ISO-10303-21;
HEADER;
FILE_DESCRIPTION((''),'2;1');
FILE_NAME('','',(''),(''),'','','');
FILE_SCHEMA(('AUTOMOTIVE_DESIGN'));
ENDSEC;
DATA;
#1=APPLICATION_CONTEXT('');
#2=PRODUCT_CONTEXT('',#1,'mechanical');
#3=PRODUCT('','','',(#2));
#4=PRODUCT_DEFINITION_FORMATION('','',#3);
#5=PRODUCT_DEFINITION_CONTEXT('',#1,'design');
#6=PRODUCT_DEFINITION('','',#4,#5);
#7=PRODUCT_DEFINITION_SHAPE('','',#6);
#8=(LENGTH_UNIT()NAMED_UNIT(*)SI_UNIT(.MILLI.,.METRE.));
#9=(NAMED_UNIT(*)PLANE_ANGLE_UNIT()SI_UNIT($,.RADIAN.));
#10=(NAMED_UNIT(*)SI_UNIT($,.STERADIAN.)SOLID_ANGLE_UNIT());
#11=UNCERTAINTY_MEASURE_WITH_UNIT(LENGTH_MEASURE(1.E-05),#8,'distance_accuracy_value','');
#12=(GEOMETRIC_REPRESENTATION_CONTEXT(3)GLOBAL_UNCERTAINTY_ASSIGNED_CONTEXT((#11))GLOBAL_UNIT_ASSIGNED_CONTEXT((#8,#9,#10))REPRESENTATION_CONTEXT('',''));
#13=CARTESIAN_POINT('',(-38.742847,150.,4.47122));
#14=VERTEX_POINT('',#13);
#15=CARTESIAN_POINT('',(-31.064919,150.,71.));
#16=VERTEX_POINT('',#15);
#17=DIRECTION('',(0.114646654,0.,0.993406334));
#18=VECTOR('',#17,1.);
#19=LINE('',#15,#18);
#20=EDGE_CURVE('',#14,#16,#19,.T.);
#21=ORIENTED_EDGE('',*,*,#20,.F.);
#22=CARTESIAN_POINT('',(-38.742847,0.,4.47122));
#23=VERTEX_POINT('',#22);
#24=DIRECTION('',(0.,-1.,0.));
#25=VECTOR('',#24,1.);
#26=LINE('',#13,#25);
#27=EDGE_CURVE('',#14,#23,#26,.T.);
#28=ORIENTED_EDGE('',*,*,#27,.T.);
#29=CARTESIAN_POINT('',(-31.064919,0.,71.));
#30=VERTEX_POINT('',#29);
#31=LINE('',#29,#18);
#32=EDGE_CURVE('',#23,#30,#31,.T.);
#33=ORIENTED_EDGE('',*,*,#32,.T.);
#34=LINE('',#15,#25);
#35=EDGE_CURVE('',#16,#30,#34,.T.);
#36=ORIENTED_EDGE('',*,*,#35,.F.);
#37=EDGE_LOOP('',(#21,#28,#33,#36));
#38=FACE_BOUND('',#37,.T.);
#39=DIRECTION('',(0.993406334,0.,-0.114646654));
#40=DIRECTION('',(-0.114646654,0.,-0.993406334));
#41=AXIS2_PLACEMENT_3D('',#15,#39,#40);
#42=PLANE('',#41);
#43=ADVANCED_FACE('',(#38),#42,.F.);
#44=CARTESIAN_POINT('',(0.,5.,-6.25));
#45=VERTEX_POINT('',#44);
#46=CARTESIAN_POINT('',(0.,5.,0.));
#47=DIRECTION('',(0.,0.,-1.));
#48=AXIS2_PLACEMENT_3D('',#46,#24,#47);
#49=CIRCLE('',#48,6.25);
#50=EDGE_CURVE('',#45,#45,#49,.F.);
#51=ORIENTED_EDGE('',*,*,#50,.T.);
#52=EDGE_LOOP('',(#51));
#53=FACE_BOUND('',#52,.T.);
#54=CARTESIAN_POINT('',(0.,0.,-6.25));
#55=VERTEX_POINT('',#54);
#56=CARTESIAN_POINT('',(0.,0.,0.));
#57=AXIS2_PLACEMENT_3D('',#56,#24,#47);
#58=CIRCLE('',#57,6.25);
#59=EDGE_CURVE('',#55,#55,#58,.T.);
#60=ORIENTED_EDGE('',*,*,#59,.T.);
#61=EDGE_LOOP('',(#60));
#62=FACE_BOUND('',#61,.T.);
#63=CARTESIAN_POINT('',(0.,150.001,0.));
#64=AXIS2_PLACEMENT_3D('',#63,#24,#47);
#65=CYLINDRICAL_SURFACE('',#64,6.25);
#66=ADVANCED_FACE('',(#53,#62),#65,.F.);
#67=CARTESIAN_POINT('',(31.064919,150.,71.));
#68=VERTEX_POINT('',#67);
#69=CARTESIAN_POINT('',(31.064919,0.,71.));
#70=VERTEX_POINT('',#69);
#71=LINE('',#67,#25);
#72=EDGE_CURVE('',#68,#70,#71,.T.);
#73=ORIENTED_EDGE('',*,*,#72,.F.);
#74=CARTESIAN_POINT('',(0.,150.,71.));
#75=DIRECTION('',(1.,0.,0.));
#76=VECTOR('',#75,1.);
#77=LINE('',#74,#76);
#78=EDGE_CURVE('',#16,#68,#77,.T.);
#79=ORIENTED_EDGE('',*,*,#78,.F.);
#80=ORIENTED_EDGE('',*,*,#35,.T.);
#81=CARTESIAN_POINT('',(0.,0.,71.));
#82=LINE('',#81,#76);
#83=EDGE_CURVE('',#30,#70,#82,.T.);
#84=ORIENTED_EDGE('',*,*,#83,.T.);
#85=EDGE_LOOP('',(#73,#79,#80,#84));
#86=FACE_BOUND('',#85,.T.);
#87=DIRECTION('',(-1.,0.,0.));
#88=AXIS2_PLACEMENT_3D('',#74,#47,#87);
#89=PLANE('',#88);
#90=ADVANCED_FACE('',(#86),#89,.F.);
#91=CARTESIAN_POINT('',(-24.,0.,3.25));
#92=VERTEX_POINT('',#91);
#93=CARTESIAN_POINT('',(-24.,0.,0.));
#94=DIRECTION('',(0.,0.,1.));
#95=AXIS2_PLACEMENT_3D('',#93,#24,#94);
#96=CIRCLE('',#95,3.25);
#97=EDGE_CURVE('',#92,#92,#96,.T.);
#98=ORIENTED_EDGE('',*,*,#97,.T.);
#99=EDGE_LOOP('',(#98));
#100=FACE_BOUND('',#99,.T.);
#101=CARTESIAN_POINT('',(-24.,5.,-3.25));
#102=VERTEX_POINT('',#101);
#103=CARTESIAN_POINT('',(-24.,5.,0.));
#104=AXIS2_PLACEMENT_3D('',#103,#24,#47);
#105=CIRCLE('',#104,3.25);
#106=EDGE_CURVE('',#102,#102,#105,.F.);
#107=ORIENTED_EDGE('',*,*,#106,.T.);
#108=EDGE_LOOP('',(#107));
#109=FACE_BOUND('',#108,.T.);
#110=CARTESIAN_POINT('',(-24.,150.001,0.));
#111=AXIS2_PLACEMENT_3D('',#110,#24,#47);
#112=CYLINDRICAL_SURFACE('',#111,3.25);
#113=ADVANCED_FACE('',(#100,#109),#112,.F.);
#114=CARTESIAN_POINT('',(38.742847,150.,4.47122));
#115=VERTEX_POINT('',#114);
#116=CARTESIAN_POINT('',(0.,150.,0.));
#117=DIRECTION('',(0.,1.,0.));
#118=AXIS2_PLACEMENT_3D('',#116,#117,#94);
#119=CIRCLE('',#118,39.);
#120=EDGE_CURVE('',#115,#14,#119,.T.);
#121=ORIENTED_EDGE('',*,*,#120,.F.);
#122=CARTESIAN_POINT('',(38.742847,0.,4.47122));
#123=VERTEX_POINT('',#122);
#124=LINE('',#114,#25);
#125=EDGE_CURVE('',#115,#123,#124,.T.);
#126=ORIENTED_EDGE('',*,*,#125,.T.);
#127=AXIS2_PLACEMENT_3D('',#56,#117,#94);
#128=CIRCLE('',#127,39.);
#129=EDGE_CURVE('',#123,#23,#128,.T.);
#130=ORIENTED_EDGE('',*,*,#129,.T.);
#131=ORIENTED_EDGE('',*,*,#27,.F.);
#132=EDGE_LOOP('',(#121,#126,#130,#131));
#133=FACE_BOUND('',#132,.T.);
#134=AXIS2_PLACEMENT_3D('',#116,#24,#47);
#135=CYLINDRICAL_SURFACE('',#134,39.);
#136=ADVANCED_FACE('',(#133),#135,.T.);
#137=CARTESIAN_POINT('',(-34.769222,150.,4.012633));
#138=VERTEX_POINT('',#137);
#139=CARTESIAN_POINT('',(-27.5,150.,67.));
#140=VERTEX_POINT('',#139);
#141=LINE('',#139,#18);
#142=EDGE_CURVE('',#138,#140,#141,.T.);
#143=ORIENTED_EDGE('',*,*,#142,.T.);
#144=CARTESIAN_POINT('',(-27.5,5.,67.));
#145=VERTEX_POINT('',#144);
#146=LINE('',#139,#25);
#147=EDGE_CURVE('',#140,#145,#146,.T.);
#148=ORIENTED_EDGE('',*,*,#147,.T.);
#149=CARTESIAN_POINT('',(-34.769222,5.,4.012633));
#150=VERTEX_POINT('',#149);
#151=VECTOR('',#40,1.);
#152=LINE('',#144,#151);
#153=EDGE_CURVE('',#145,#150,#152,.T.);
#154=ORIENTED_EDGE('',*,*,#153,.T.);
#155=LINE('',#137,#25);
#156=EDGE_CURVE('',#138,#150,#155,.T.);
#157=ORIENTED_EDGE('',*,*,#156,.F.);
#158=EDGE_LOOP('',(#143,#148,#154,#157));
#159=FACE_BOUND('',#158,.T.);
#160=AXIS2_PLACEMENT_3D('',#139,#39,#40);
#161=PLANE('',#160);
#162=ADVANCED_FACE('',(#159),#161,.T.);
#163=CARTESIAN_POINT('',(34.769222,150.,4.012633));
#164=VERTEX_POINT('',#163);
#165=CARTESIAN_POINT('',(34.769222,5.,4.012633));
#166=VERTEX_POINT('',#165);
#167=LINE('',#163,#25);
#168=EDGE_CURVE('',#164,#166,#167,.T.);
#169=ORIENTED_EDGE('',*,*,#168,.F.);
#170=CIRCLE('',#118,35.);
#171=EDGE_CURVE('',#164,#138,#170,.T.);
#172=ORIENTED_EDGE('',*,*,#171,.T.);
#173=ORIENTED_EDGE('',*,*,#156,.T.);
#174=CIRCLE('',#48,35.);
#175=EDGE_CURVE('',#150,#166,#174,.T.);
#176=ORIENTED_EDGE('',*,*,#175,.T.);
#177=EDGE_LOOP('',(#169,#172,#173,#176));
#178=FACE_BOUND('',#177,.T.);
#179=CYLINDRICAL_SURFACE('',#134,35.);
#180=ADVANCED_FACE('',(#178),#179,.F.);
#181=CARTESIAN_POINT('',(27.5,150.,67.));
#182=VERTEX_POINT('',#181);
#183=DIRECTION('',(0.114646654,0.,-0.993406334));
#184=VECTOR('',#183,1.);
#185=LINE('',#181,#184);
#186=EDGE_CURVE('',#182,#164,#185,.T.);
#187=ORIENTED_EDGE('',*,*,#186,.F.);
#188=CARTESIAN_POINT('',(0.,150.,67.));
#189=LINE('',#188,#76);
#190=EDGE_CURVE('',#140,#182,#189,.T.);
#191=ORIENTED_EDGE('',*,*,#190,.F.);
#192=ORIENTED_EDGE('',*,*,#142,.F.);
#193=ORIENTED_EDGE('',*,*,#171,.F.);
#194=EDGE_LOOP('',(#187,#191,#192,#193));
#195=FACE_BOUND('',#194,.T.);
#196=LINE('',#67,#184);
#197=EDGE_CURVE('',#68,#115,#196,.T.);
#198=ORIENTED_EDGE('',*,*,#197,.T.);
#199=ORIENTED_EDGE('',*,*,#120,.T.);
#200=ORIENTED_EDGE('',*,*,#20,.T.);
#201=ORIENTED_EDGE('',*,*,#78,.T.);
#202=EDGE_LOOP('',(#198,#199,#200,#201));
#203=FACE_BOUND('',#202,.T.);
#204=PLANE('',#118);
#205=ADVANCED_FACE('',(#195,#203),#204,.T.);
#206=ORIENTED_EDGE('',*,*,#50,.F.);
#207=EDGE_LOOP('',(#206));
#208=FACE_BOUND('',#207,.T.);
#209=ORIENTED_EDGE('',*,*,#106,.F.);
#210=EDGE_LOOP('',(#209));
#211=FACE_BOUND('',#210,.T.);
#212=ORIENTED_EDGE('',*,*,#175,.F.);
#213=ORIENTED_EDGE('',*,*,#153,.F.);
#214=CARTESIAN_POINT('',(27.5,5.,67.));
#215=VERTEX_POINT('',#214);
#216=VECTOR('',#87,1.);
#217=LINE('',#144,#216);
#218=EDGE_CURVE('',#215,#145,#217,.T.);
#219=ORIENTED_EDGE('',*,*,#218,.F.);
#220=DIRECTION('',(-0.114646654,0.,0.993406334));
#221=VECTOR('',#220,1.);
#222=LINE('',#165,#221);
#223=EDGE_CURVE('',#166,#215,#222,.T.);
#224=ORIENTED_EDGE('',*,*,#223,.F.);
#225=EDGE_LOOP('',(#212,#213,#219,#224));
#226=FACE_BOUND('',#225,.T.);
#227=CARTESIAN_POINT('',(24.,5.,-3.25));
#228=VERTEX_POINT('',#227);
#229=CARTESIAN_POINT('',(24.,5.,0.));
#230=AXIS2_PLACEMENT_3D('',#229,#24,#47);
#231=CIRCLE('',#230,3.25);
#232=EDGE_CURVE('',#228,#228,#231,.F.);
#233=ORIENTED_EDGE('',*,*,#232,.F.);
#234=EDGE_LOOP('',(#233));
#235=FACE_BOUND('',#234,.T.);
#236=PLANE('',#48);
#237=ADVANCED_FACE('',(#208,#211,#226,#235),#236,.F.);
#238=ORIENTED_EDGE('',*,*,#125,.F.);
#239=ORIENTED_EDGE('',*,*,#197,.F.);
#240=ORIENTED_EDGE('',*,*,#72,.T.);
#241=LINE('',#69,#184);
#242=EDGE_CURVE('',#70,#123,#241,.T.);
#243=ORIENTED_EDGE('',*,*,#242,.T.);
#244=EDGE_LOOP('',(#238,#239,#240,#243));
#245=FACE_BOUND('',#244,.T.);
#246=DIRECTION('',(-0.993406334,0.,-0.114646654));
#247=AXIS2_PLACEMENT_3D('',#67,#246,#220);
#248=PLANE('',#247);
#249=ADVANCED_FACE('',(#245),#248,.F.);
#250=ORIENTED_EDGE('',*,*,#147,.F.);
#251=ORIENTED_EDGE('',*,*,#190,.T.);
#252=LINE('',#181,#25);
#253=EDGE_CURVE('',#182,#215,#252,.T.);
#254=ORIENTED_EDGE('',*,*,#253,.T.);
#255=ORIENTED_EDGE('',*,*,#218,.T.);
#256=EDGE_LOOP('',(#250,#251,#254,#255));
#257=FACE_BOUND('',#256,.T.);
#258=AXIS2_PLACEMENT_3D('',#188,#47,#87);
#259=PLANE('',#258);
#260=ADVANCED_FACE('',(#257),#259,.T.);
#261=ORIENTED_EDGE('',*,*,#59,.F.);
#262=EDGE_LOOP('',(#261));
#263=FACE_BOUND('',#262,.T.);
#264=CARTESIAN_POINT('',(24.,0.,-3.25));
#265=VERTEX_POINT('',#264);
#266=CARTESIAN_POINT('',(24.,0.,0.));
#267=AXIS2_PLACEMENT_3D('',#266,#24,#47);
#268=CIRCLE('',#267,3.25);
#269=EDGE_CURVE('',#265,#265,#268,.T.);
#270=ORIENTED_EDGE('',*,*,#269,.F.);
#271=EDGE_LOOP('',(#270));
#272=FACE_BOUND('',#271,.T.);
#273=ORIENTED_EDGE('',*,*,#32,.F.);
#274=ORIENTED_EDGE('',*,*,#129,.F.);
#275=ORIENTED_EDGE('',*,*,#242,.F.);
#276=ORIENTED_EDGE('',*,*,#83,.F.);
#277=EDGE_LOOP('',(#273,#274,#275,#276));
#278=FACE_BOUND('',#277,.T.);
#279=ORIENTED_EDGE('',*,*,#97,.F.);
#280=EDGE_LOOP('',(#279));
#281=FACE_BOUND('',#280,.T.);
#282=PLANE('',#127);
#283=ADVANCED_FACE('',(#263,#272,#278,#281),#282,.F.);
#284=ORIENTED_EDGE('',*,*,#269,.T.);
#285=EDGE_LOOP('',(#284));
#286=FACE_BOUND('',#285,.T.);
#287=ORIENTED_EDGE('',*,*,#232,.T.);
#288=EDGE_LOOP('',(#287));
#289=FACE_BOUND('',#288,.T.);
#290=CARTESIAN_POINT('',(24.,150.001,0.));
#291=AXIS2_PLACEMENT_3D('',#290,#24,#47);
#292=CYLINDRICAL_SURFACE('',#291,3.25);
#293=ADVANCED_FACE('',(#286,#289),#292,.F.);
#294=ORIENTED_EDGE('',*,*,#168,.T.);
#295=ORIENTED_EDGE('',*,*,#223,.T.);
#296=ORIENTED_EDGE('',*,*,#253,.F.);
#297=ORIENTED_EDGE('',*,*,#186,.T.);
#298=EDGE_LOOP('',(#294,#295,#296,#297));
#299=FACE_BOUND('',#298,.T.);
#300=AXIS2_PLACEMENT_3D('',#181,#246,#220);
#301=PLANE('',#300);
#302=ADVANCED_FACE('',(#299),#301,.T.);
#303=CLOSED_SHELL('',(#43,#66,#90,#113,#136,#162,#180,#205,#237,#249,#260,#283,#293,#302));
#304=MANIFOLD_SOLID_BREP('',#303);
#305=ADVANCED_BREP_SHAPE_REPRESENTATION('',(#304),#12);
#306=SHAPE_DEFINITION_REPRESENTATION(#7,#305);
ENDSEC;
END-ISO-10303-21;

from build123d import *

# Parameters (mm, degrees)
BOSS_EXTRUDE1_DEPTH = 150
BOSS_EXTRUDE2_DEPTH = 5
CUT_EXTRUDE2_REACH  = 172.476
SKETCH6_R           = 6.25
CUT_EXTRUDE3_REACH  = 172.476
SKETCH7_R           = 3.25


with BuildPart() as part:
    # Sketch3 → Boss-Extrude1 (new body)
    with BuildSketch(Plane(origin=(0, 0, 0), x_dir=(1, 0, 0), z_dir=(0, 1, 0))):
        with BuildLine():
            Line((-31.064919271, -71), (-38.742847032, -4.471219502))
            ThreePointArc((-38.742847032, -4.471219502), (0, 39), (38.742847032, -4.471219502))
            Line((38.742847032, -4.471219502), (31.064919271, -71))
            Line((31.064919271, -71), (0, -71))
            Line((0, -71), (-31.064919271, -71))
        make_face()
        with BuildLine():
            Line((0, -67), (-27.5, -67))
            Line((-27.5, -67), (-34.769221696, -4.012632886))
            ThreePointArc((-34.769221696, -4.012632886), (0, 35), (34.769221696, -4.012632886))
            Line((34.769221696, -4.012632886), (27.5, -67))
            Line((27.5, -67), (0, -67))
        make_face(mode=Mode.SUBTRACT)
    extrude(amount=BOSS_EXTRUDE1_DEPTH)

    # Sketch4 → Boss-Extrude2 (add)
    with BuildSketch(Plane.XZ):
        with BuildLine():
            Line((-27.5, 67), (-34.769221696, 4.012632886))
            ThreePointArc((-34.769221696, 4.012632886), (0, -35), (34.769221696, 4.012632886))
            Line((34.769221696, 4.012632886), (27.5, 67))
            Line((27.5, 67), (-27.5, 67))
        make_face()
    extrude(amount=-BOSS_EXTRUDE2_DEPTH)

    # Sketch6 → Cut-Extrude2 (cut, up to next)
    with BuildSketch(Plane.XZ, mode=Mode.PRIVATE) as cut_extrude2_sk1:
        with Locations(Location((0, 0, 0), (0, 0, 270))):
            Circle(SKETCH6_R)
    cut_extrude2_tool1 = extrude(cut_extrude2_sk1.sketch, amount=-CUT_EXTRUDE2_REACH, mode=Mode.PRIVATE) & part.part
    add(cut_extrude2_tool1.solids().sort_by_distance((0, 0, 0))[0], mode=Mode.SUBTRACT)

    # Sketch7 → Cut-Extrude3 (cut, up to next)
    with BuildSketch(Plane.XZ, mode=Mode.PRIVATE) as cut_extrude3_sk1:
        with Locations(Location((24, 0, 0), (0, 0, 270))):
            Circle(SKETCH7_R)
    cut_extrude3_tool1 = extrude(cut_extrude3_sk1.sketch, amount=-CUT_EXTRUDE3_REACH, mode=Mode.PRIVATE) & part.part
    # Sketch7 → Cut-Extrude3 (cut, up to next)
    with BuildSketch(Plane.XZ, mode=Mode.PRIVATE) as cut_extrude3_sk2:
        with Locations(Location((-24, 0, 0), (0, 0, 270))):
            Circle(SKETCH7_R)
    cut_extrude3_tool2 = extrude(cut_extrude3_sk2.sketch, amount=-CUT_EXTRUDE3_REACH, mode=Mode.PRIVATE) & part.part
    add(cut_extrude3_tool1.solids().sort_by_distance((24, 0, 0))[0], mode=Mode.SUBTRACT)
    add(cut_extrude3_tool2.solids().sort_by_distance((-24, 0, 0))[0], mode=Mode.SUBTRACT)


solid = part.part
